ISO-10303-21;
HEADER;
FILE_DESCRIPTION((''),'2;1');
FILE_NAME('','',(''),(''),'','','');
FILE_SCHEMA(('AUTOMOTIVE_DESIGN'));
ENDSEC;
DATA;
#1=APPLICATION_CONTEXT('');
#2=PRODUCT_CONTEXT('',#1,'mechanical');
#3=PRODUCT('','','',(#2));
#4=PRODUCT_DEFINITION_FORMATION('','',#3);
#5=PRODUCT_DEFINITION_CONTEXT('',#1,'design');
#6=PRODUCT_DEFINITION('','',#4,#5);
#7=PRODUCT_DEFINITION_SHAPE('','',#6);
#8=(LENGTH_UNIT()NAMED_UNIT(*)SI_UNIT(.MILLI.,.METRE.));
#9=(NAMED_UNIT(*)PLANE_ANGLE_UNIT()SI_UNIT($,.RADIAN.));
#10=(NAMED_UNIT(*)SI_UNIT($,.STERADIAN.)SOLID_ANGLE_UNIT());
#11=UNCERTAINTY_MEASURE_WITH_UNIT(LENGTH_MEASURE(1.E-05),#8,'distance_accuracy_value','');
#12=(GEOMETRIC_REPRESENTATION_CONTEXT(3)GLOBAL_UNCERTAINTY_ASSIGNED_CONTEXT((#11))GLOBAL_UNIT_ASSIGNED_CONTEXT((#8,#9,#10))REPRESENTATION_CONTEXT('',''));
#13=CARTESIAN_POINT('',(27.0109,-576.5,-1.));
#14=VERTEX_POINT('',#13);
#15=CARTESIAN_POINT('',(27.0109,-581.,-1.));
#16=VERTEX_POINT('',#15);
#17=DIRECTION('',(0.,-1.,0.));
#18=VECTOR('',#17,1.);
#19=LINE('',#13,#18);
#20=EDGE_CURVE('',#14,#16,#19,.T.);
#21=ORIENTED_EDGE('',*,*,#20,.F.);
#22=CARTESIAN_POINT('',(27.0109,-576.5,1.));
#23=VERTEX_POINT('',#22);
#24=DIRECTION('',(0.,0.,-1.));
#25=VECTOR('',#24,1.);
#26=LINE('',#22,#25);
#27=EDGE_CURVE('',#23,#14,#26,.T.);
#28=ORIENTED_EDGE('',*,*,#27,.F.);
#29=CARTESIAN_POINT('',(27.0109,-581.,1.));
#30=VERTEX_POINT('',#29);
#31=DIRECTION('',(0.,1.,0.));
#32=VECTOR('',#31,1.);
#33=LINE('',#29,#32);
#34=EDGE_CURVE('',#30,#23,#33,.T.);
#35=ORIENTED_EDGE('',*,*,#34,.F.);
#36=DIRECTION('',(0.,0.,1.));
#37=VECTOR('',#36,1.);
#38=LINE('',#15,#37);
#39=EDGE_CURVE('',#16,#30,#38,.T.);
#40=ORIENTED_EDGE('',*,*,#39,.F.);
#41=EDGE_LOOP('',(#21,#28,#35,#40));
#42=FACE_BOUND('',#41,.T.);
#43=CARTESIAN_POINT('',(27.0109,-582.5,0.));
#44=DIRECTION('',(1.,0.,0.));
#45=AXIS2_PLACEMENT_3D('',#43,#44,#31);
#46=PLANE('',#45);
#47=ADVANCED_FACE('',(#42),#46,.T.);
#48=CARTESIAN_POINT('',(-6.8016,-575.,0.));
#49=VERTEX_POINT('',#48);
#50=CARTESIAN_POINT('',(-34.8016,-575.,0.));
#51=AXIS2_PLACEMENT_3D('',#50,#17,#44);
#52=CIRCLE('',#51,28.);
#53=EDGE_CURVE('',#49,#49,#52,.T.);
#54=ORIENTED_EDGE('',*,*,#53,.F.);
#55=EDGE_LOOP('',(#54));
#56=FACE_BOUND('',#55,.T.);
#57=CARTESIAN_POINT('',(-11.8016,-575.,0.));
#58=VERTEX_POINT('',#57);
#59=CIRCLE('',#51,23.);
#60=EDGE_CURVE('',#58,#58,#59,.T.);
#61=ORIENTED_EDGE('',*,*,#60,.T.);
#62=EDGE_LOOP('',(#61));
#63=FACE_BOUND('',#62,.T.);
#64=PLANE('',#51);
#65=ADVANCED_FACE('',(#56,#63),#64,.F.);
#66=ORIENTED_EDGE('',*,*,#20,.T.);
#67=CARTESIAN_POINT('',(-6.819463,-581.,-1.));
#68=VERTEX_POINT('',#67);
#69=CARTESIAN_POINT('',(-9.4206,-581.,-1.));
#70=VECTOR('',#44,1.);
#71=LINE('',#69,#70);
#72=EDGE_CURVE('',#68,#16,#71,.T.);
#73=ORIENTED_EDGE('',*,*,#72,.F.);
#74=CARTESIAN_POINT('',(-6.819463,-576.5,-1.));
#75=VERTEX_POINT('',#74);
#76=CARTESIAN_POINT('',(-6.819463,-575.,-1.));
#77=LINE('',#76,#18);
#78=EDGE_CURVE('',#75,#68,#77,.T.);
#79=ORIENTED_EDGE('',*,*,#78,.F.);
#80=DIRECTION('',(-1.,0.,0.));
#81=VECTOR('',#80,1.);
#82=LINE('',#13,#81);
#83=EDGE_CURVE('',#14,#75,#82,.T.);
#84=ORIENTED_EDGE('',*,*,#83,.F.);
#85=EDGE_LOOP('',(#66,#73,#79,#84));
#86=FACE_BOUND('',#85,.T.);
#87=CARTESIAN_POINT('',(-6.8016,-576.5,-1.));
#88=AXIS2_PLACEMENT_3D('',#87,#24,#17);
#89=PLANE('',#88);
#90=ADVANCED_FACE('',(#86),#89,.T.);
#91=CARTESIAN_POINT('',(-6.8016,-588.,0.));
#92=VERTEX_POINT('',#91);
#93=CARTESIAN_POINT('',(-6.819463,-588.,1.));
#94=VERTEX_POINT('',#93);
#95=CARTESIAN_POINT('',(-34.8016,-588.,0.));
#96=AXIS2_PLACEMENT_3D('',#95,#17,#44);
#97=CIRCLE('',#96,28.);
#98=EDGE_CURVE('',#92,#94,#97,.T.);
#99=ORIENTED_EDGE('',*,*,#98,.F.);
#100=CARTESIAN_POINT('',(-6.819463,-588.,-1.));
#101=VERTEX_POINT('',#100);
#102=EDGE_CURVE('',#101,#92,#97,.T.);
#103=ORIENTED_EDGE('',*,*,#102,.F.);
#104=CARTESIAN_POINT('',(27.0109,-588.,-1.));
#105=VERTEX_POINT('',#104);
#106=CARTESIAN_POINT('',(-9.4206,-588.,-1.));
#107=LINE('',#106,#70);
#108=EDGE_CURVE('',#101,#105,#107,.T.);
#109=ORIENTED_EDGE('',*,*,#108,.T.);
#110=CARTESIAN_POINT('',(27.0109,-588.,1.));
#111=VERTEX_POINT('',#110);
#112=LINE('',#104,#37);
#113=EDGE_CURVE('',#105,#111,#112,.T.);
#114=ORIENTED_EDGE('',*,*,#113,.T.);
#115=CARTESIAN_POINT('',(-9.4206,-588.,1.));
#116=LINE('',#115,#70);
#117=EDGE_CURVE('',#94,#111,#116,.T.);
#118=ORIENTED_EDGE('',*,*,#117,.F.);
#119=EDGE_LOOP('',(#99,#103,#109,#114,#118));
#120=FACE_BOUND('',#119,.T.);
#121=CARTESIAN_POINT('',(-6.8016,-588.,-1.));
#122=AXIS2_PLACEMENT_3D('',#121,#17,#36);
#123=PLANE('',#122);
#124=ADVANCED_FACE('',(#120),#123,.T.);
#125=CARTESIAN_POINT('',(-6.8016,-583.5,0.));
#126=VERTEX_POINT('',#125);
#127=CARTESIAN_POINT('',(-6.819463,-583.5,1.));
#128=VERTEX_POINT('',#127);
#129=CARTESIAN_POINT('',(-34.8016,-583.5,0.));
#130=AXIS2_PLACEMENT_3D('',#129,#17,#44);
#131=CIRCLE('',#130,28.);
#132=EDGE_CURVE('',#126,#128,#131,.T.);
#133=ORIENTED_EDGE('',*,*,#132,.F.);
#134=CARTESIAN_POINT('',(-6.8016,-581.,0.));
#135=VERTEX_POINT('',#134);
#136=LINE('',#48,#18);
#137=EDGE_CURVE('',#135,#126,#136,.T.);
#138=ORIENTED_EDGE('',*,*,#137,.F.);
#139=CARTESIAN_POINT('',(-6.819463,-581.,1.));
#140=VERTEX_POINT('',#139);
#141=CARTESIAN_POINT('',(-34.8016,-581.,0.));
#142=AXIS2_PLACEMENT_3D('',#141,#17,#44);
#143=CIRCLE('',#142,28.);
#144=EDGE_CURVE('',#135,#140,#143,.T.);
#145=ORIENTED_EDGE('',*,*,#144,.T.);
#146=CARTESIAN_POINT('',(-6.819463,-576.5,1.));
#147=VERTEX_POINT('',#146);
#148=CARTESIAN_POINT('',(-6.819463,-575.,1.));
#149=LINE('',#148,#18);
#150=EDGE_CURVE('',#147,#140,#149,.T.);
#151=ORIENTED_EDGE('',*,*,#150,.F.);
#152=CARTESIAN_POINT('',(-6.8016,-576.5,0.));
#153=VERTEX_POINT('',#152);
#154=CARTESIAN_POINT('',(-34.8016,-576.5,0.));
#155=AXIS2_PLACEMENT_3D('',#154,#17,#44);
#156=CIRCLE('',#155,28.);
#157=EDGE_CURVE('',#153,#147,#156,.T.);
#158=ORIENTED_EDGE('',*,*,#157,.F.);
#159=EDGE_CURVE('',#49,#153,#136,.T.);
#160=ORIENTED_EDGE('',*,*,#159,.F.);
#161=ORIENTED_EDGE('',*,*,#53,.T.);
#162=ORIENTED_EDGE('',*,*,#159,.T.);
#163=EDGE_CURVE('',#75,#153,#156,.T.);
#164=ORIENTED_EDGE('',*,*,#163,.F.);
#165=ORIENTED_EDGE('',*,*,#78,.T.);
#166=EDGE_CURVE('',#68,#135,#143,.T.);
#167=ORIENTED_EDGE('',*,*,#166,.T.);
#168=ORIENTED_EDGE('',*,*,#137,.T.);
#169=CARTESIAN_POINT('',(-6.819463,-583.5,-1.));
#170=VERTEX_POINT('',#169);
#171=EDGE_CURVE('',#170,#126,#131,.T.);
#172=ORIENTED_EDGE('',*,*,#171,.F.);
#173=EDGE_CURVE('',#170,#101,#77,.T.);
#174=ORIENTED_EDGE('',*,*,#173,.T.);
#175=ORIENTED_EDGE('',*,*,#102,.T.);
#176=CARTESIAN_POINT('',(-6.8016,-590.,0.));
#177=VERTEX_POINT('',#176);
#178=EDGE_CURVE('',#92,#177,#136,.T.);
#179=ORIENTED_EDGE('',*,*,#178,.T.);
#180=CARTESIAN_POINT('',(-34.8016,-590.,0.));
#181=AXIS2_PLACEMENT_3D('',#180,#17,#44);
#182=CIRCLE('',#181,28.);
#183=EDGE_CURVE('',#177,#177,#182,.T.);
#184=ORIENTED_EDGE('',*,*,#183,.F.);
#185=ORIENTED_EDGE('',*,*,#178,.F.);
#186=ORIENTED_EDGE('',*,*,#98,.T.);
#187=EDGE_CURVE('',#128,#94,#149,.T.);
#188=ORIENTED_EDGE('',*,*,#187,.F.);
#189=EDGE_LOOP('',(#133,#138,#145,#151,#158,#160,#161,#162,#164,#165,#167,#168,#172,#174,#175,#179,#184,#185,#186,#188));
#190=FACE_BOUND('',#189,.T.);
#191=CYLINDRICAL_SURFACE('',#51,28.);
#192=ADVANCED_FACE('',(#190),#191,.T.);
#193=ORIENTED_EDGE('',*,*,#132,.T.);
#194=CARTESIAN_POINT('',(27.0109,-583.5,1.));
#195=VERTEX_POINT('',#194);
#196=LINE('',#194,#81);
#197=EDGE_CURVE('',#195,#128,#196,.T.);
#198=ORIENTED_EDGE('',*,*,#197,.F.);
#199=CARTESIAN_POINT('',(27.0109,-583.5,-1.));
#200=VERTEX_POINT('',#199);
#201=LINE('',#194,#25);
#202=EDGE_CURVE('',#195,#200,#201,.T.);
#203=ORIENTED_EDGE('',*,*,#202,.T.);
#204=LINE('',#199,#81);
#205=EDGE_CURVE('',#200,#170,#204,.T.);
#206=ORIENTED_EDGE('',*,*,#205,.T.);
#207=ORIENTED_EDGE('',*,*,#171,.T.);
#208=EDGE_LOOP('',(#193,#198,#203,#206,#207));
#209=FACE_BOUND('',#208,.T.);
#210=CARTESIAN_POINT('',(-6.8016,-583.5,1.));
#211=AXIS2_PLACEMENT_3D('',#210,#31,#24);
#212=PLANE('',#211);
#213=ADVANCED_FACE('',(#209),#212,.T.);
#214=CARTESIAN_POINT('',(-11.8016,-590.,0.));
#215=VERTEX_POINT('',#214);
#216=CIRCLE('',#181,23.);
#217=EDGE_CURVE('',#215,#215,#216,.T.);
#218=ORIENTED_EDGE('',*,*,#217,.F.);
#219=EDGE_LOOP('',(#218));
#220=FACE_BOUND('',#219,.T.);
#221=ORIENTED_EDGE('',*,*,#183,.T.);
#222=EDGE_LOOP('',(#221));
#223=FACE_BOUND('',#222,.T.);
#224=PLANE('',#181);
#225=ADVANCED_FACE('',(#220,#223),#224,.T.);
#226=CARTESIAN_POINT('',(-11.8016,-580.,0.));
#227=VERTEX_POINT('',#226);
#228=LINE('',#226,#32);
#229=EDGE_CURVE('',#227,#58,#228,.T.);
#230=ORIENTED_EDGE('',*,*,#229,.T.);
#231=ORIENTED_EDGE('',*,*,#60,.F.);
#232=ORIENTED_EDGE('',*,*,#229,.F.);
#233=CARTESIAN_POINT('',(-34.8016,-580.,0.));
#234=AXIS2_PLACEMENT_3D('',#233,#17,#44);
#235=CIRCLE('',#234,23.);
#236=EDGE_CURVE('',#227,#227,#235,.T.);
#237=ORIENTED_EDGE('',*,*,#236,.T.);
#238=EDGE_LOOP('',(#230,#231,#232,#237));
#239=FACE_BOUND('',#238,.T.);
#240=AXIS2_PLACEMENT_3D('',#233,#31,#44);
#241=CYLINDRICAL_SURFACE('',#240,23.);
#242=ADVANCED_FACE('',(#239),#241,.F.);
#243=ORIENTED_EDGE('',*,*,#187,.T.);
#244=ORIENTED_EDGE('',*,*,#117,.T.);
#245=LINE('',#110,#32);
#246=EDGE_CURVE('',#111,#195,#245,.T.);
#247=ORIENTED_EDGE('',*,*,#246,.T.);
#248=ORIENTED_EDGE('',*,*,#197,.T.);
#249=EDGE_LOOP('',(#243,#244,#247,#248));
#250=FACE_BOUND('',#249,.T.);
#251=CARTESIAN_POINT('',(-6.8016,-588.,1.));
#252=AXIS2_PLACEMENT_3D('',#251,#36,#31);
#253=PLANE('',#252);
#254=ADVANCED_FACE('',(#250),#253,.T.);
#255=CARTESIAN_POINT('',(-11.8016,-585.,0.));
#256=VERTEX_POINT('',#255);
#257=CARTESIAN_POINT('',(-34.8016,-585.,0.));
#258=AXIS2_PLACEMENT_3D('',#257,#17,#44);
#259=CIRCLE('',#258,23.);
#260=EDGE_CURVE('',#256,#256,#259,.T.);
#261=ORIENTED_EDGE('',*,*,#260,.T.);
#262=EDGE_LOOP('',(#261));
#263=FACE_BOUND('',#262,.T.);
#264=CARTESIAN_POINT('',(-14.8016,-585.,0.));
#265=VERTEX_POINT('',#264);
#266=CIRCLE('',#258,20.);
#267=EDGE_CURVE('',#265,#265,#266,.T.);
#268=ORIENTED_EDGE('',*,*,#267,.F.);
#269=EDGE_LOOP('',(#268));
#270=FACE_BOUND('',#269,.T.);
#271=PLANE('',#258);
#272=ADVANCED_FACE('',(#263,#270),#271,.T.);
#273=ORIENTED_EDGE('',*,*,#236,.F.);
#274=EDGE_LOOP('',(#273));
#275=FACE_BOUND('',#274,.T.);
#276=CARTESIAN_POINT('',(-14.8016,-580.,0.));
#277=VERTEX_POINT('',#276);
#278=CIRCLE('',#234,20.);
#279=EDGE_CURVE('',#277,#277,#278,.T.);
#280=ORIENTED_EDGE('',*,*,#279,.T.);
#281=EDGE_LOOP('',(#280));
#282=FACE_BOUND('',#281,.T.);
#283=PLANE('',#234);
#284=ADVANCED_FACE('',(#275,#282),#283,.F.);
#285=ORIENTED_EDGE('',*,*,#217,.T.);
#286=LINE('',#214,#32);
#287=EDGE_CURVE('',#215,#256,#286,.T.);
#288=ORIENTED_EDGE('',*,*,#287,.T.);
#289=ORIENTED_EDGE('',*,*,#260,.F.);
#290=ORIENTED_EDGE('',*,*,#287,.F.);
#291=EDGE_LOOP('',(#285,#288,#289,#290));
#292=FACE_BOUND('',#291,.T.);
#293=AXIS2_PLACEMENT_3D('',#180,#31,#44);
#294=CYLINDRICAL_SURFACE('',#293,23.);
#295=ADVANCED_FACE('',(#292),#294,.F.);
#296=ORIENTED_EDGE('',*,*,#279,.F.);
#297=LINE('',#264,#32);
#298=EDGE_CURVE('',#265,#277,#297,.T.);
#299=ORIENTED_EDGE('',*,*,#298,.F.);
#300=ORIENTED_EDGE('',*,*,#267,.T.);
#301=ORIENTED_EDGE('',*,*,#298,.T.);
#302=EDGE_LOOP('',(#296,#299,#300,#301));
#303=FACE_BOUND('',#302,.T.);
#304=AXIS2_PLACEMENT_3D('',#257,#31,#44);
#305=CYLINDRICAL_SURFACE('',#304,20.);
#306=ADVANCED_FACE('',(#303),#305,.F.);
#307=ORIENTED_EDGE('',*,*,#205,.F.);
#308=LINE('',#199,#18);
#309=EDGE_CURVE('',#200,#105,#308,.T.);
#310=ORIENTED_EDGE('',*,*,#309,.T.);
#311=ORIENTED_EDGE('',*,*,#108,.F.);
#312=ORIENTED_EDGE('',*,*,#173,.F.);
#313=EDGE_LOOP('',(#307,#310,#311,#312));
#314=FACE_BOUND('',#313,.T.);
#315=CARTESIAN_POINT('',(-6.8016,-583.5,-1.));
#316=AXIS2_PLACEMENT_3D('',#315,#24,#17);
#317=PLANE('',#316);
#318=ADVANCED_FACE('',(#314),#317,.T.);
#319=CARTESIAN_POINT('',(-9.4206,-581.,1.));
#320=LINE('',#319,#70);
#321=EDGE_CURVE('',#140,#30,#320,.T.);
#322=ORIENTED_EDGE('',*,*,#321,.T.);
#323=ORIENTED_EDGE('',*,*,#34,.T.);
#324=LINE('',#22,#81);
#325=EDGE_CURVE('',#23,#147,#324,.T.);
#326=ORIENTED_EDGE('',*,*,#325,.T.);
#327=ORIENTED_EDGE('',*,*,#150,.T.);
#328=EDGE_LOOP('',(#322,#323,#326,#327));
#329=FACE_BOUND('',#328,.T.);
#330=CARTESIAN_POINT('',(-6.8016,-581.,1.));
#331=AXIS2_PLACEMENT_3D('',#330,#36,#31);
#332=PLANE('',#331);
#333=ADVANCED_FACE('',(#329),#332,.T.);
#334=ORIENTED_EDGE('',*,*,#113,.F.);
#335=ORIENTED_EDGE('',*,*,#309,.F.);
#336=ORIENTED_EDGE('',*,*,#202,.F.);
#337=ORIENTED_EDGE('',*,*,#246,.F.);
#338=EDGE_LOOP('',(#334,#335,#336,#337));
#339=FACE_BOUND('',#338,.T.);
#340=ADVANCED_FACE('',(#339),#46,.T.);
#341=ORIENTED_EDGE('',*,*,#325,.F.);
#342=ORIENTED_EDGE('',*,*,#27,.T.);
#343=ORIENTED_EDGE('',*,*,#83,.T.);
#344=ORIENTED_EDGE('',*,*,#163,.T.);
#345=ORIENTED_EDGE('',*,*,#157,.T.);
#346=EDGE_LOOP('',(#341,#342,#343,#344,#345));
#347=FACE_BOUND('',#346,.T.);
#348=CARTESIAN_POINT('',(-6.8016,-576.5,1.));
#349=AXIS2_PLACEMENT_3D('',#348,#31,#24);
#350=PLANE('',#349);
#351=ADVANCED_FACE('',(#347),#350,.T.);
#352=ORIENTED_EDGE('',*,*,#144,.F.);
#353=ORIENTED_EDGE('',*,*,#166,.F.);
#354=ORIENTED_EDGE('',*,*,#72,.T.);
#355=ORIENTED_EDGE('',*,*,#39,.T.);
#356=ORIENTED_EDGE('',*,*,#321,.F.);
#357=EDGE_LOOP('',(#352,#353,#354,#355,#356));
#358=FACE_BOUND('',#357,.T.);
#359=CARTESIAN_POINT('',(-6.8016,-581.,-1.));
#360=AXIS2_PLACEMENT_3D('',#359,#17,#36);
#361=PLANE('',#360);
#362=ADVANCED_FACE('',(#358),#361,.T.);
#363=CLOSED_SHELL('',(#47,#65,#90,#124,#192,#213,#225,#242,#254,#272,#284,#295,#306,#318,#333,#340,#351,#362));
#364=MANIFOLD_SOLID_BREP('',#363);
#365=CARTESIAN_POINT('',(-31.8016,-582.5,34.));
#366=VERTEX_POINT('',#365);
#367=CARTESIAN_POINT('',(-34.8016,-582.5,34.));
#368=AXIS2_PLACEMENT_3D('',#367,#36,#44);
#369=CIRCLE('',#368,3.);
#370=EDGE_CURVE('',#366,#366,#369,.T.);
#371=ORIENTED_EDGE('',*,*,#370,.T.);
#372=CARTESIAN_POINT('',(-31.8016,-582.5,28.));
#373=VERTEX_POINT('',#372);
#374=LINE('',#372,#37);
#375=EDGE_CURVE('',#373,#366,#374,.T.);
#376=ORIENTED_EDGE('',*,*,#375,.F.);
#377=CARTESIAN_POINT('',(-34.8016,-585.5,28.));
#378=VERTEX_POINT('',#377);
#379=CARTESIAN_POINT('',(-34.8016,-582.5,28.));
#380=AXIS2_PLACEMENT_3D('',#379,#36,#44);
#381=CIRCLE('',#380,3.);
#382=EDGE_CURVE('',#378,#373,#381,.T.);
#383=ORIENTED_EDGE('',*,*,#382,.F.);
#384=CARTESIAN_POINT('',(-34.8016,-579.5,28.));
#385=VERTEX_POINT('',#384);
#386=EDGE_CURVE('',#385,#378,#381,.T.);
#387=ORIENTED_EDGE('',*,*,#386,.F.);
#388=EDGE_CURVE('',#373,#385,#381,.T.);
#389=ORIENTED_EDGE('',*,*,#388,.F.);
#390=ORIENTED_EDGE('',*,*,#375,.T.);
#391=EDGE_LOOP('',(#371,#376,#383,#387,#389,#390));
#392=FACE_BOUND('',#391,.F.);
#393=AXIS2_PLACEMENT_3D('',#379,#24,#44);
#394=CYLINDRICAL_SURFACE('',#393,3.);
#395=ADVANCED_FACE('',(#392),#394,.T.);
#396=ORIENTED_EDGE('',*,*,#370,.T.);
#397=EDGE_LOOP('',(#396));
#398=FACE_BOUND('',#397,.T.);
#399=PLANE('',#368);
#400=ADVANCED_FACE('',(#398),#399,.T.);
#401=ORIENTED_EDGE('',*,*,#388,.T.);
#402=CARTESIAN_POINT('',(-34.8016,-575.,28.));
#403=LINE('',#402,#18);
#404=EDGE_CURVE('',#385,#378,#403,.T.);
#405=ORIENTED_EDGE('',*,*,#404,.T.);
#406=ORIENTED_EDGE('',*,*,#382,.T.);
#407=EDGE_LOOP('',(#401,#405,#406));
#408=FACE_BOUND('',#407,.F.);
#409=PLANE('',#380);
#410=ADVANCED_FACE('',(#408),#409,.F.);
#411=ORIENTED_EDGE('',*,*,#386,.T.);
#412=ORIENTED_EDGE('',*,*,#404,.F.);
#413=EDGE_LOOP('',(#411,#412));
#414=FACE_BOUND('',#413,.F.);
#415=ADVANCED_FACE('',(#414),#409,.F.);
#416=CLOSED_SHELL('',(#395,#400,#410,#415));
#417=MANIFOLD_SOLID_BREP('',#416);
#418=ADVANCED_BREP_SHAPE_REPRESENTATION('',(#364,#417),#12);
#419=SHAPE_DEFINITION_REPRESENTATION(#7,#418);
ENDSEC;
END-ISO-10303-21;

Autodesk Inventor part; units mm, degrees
ref_plane "XZ Plane" through (0, 0, 0) normal (0, 1, 0) x (-1, 0, 0)
sketch "Sketch1" plane through (0, 0, 0) normal (0, 0, 1) x (1, 0, 0)
  line L0 (-34.8016, 76.5) -> (-34.8016, -850)
  line L1 (-34.8016, 76.5) -> (-34.8016, -850)
  line L2 (-14.8016, -585) -> (-14.8016, -580)
  line L3 (-14.8016, -580) -> (-11.8016, -580)
  line L4 (-11.8016, -580) -> (-11.8016, -575)
  line L5 (-11.8016, -575) -> (-6.8016, -575)
  line L6 (-6.8016, -575) -> (-6.8016, -590)
  line L7 (-6.8016, -590) -> (-11.8016, -590)
  line L8 (-11.8016, -590) -> (-11.8016, -585)
  line L9 (-11.8016, -585) -> (-14.8016, -585)
  point P0 (0, 0)
  dimension "d0" = 28
  dimension "d1" = 20
  dimension "d2" = 3
  dimension "d3" = 15
  dimension "d4" = 260
  dimension "d5" = 5
revolve "Revolution1" add sketch "Sketch1" angle 360 about axis through (-34.8016, 76.5, 0) along (0, -1, 0)
ref_plane "Work Plane1" through (-6.8016, -582.5, 0) normal (1, 0, 0) x (0, 1, 0)
sketch "Sketch2" plane through (-6.8016, -582.5, 0) normal (1, 0, 0) x (0, 1, 0)
  line L0 (-5.5, 1) -> (-1, 1)
  line L1 (-1, 1) -> (-1, -1)
  line L2 (-1, -1) -> (-5.5, -1)
  line L3 (-5.5, -1) -> (-5.5, 1)
  line L4 (582.5, -1.5) -> (582.5, 1.5) projected
  line L5 (-267.5, 1.5) -> (582.5, 1.5) projected
  line L6 (-267.5, -1.5) -> (-267.5, 1.5) projected
  line L7 (-267.5, -1.5) -> (582.5, -1.5) projected
  line L8 (-7.5, 28) -> (-7.5, -28) projected
  line L9 (1.5, 1) -> (6, 1)
  line L10 (6, 1) -> (6, -1)
  line L11 (6, -1) -> (1.5, -1)
  line L12 (1.5, -1) -> (1.5, 1)
  point P0 (582.5, 0)
  dimension "d7" = 0.5
  dimension "d8" = 0.5
  dimension "d9" = 4.5
  dimension "d10" = 2
  dimension "d13" = 7
extrude "Extrusion1" add sketch "Sketch2" along normal blind 33.8125 and the other way blind 2.619 contours L0 L1 L2 L3 | L9 L10 L11 L12
ref_plane "Work Plane2" through (-34.8016, -582.5, 28) normal (0, 0, 1) x (1, 0, 0)
sketch "Sketch3" plane through (-34.8016, -582.5, 28) normal (0, 0, 1) x (1, 0, 0)
  circle A0 centre (0, 0) radius 3
  line L0 (27.9821, 6) -> (27.9821, 6) projected
  line L1 (27.9821, 6) -> (27.9821, 1.5) projected
  line L2 (27.9821, 1.5) -> (27.9821, 1.5) projected
  line L3 (27.9821, 1.5) -> (27.9821, 6) projected
  line L4 (27.9821, -1) -> (27.9821, -1) projected
  line L5 (27.9821, -1) -> (27.9821, -5.5) projected
  line L6 (27.9821, -5.5) -> (27.9821, -5.5) projected
  line L7 (27.9821, -5.5) -> (27.9821, -1) projected
  line L8 (-28, -7.5) -> (28, -7.5) projected
  line L9 (-28, 7.5) -> (28, 7.5) projected
  point P0 (34.8016, 582.5)
  dimension "d22" = 6
  dimension "d23" = 7.5
  dimension "d24" = 28
extrude "Extrusion2" add sketch "Sketch3" along normal blind 6
properties part number "TriggerRing"
